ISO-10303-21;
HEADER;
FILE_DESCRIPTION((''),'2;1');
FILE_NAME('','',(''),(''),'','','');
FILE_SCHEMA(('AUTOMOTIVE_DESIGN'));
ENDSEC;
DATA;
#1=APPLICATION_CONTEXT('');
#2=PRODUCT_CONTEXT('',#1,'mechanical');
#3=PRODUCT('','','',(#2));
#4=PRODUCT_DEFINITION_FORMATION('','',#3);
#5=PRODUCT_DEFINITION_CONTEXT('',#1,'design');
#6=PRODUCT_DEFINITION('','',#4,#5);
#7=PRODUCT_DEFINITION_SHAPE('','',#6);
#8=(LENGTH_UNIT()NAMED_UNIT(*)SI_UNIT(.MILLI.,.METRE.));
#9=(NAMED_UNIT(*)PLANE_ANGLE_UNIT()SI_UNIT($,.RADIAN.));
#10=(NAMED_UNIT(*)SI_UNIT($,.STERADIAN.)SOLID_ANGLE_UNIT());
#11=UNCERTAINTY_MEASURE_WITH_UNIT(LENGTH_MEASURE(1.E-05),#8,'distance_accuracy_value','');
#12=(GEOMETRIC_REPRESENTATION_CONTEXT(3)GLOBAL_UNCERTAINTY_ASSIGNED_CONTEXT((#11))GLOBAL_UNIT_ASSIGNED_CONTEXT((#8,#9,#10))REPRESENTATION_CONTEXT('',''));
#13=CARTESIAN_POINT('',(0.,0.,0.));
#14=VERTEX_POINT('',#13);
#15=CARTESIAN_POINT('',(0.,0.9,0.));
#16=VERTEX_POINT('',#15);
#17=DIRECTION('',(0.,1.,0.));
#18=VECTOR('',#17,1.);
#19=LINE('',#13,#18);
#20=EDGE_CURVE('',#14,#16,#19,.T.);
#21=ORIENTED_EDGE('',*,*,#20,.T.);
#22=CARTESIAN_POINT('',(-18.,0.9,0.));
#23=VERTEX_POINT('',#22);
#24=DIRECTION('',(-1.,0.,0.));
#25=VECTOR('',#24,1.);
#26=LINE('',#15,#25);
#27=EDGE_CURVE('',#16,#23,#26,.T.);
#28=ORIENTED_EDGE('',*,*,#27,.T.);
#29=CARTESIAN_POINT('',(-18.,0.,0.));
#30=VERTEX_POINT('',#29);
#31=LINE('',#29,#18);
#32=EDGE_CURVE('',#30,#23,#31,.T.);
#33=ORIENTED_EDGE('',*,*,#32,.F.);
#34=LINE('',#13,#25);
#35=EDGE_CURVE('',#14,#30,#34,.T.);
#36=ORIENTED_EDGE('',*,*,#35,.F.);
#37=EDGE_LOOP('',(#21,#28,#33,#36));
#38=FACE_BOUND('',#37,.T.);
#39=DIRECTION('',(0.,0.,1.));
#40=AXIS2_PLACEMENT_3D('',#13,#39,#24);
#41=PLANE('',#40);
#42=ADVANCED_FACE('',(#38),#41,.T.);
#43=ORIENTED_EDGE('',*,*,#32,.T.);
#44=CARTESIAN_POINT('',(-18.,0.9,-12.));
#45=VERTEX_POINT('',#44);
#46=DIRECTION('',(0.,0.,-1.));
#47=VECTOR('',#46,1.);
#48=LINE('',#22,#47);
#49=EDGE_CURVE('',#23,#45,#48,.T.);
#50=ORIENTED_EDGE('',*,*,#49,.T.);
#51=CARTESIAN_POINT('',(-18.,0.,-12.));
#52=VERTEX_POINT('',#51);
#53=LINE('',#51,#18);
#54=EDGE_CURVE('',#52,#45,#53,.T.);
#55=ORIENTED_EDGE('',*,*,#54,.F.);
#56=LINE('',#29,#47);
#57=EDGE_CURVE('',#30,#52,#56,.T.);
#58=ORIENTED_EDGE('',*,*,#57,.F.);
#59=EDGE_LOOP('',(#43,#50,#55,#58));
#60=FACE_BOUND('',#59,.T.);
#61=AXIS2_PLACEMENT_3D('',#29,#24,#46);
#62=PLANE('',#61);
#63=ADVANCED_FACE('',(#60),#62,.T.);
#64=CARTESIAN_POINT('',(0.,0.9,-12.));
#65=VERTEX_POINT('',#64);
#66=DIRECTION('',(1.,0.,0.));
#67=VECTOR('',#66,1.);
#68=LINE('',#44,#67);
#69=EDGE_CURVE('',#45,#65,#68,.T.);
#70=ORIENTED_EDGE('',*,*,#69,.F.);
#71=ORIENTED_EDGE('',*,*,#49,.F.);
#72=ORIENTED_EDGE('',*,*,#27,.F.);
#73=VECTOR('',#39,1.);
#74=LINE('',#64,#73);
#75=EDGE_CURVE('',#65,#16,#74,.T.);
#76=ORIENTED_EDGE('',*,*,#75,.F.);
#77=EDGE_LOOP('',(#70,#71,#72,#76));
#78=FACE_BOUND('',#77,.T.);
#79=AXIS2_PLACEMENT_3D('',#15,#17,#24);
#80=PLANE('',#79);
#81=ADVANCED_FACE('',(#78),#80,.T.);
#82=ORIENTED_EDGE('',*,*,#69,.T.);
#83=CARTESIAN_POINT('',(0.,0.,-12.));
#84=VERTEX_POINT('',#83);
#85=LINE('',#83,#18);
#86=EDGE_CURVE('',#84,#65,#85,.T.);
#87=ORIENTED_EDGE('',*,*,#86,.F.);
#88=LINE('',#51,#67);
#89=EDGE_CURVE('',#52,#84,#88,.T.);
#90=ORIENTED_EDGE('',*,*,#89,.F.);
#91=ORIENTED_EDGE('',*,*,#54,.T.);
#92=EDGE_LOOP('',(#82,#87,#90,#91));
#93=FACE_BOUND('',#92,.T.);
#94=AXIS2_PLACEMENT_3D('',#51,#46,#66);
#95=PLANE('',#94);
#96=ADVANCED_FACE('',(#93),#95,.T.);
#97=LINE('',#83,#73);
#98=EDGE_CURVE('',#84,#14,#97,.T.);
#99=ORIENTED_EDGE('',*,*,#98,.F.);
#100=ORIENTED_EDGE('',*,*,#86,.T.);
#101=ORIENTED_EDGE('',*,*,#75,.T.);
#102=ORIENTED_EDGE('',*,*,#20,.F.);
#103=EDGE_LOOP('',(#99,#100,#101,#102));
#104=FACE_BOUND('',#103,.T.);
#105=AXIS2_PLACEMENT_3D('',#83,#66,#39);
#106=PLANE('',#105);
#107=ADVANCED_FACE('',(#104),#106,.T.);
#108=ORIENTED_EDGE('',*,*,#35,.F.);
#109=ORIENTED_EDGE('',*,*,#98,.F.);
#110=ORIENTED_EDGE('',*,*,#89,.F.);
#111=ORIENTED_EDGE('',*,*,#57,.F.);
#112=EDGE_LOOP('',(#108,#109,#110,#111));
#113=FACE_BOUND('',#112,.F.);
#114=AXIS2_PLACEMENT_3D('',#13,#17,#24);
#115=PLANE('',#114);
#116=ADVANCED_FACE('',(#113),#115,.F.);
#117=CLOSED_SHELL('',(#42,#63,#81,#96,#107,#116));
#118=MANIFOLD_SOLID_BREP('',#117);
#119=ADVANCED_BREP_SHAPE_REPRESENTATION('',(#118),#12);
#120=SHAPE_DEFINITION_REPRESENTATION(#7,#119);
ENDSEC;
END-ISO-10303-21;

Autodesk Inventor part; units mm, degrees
ref_plane "YZ Plane" through (0, 0, 0) normal (1, 0, 0) x (0, 1, 0)
ref_plane "XZ Plane" through (0, 0, 0) normal (0, 1, 0) x (-1, 0, 0)
ref_plane "XY Plane" through (0, 0, 0) normal (0, 0, 1) x (1, 0, 0)
sketch "Sketch1" plane through (0, 0, 0) normal (0, 1, 0) x (-1, 0, 0)
  line L0 (0, 0) -> (18, 0)
  line L1 (18, 0) -> (18, -12)
  line L2 (18, -12) -> (0, -12)
  line L3 (0, -12) -> (0, 0)
  dimension "d0" = 18
  dimension "d1" = 12
extrude "Extrusion1" add sketch "Sketch1" along normal blind 0.9
properties part number "shim_1mm"
